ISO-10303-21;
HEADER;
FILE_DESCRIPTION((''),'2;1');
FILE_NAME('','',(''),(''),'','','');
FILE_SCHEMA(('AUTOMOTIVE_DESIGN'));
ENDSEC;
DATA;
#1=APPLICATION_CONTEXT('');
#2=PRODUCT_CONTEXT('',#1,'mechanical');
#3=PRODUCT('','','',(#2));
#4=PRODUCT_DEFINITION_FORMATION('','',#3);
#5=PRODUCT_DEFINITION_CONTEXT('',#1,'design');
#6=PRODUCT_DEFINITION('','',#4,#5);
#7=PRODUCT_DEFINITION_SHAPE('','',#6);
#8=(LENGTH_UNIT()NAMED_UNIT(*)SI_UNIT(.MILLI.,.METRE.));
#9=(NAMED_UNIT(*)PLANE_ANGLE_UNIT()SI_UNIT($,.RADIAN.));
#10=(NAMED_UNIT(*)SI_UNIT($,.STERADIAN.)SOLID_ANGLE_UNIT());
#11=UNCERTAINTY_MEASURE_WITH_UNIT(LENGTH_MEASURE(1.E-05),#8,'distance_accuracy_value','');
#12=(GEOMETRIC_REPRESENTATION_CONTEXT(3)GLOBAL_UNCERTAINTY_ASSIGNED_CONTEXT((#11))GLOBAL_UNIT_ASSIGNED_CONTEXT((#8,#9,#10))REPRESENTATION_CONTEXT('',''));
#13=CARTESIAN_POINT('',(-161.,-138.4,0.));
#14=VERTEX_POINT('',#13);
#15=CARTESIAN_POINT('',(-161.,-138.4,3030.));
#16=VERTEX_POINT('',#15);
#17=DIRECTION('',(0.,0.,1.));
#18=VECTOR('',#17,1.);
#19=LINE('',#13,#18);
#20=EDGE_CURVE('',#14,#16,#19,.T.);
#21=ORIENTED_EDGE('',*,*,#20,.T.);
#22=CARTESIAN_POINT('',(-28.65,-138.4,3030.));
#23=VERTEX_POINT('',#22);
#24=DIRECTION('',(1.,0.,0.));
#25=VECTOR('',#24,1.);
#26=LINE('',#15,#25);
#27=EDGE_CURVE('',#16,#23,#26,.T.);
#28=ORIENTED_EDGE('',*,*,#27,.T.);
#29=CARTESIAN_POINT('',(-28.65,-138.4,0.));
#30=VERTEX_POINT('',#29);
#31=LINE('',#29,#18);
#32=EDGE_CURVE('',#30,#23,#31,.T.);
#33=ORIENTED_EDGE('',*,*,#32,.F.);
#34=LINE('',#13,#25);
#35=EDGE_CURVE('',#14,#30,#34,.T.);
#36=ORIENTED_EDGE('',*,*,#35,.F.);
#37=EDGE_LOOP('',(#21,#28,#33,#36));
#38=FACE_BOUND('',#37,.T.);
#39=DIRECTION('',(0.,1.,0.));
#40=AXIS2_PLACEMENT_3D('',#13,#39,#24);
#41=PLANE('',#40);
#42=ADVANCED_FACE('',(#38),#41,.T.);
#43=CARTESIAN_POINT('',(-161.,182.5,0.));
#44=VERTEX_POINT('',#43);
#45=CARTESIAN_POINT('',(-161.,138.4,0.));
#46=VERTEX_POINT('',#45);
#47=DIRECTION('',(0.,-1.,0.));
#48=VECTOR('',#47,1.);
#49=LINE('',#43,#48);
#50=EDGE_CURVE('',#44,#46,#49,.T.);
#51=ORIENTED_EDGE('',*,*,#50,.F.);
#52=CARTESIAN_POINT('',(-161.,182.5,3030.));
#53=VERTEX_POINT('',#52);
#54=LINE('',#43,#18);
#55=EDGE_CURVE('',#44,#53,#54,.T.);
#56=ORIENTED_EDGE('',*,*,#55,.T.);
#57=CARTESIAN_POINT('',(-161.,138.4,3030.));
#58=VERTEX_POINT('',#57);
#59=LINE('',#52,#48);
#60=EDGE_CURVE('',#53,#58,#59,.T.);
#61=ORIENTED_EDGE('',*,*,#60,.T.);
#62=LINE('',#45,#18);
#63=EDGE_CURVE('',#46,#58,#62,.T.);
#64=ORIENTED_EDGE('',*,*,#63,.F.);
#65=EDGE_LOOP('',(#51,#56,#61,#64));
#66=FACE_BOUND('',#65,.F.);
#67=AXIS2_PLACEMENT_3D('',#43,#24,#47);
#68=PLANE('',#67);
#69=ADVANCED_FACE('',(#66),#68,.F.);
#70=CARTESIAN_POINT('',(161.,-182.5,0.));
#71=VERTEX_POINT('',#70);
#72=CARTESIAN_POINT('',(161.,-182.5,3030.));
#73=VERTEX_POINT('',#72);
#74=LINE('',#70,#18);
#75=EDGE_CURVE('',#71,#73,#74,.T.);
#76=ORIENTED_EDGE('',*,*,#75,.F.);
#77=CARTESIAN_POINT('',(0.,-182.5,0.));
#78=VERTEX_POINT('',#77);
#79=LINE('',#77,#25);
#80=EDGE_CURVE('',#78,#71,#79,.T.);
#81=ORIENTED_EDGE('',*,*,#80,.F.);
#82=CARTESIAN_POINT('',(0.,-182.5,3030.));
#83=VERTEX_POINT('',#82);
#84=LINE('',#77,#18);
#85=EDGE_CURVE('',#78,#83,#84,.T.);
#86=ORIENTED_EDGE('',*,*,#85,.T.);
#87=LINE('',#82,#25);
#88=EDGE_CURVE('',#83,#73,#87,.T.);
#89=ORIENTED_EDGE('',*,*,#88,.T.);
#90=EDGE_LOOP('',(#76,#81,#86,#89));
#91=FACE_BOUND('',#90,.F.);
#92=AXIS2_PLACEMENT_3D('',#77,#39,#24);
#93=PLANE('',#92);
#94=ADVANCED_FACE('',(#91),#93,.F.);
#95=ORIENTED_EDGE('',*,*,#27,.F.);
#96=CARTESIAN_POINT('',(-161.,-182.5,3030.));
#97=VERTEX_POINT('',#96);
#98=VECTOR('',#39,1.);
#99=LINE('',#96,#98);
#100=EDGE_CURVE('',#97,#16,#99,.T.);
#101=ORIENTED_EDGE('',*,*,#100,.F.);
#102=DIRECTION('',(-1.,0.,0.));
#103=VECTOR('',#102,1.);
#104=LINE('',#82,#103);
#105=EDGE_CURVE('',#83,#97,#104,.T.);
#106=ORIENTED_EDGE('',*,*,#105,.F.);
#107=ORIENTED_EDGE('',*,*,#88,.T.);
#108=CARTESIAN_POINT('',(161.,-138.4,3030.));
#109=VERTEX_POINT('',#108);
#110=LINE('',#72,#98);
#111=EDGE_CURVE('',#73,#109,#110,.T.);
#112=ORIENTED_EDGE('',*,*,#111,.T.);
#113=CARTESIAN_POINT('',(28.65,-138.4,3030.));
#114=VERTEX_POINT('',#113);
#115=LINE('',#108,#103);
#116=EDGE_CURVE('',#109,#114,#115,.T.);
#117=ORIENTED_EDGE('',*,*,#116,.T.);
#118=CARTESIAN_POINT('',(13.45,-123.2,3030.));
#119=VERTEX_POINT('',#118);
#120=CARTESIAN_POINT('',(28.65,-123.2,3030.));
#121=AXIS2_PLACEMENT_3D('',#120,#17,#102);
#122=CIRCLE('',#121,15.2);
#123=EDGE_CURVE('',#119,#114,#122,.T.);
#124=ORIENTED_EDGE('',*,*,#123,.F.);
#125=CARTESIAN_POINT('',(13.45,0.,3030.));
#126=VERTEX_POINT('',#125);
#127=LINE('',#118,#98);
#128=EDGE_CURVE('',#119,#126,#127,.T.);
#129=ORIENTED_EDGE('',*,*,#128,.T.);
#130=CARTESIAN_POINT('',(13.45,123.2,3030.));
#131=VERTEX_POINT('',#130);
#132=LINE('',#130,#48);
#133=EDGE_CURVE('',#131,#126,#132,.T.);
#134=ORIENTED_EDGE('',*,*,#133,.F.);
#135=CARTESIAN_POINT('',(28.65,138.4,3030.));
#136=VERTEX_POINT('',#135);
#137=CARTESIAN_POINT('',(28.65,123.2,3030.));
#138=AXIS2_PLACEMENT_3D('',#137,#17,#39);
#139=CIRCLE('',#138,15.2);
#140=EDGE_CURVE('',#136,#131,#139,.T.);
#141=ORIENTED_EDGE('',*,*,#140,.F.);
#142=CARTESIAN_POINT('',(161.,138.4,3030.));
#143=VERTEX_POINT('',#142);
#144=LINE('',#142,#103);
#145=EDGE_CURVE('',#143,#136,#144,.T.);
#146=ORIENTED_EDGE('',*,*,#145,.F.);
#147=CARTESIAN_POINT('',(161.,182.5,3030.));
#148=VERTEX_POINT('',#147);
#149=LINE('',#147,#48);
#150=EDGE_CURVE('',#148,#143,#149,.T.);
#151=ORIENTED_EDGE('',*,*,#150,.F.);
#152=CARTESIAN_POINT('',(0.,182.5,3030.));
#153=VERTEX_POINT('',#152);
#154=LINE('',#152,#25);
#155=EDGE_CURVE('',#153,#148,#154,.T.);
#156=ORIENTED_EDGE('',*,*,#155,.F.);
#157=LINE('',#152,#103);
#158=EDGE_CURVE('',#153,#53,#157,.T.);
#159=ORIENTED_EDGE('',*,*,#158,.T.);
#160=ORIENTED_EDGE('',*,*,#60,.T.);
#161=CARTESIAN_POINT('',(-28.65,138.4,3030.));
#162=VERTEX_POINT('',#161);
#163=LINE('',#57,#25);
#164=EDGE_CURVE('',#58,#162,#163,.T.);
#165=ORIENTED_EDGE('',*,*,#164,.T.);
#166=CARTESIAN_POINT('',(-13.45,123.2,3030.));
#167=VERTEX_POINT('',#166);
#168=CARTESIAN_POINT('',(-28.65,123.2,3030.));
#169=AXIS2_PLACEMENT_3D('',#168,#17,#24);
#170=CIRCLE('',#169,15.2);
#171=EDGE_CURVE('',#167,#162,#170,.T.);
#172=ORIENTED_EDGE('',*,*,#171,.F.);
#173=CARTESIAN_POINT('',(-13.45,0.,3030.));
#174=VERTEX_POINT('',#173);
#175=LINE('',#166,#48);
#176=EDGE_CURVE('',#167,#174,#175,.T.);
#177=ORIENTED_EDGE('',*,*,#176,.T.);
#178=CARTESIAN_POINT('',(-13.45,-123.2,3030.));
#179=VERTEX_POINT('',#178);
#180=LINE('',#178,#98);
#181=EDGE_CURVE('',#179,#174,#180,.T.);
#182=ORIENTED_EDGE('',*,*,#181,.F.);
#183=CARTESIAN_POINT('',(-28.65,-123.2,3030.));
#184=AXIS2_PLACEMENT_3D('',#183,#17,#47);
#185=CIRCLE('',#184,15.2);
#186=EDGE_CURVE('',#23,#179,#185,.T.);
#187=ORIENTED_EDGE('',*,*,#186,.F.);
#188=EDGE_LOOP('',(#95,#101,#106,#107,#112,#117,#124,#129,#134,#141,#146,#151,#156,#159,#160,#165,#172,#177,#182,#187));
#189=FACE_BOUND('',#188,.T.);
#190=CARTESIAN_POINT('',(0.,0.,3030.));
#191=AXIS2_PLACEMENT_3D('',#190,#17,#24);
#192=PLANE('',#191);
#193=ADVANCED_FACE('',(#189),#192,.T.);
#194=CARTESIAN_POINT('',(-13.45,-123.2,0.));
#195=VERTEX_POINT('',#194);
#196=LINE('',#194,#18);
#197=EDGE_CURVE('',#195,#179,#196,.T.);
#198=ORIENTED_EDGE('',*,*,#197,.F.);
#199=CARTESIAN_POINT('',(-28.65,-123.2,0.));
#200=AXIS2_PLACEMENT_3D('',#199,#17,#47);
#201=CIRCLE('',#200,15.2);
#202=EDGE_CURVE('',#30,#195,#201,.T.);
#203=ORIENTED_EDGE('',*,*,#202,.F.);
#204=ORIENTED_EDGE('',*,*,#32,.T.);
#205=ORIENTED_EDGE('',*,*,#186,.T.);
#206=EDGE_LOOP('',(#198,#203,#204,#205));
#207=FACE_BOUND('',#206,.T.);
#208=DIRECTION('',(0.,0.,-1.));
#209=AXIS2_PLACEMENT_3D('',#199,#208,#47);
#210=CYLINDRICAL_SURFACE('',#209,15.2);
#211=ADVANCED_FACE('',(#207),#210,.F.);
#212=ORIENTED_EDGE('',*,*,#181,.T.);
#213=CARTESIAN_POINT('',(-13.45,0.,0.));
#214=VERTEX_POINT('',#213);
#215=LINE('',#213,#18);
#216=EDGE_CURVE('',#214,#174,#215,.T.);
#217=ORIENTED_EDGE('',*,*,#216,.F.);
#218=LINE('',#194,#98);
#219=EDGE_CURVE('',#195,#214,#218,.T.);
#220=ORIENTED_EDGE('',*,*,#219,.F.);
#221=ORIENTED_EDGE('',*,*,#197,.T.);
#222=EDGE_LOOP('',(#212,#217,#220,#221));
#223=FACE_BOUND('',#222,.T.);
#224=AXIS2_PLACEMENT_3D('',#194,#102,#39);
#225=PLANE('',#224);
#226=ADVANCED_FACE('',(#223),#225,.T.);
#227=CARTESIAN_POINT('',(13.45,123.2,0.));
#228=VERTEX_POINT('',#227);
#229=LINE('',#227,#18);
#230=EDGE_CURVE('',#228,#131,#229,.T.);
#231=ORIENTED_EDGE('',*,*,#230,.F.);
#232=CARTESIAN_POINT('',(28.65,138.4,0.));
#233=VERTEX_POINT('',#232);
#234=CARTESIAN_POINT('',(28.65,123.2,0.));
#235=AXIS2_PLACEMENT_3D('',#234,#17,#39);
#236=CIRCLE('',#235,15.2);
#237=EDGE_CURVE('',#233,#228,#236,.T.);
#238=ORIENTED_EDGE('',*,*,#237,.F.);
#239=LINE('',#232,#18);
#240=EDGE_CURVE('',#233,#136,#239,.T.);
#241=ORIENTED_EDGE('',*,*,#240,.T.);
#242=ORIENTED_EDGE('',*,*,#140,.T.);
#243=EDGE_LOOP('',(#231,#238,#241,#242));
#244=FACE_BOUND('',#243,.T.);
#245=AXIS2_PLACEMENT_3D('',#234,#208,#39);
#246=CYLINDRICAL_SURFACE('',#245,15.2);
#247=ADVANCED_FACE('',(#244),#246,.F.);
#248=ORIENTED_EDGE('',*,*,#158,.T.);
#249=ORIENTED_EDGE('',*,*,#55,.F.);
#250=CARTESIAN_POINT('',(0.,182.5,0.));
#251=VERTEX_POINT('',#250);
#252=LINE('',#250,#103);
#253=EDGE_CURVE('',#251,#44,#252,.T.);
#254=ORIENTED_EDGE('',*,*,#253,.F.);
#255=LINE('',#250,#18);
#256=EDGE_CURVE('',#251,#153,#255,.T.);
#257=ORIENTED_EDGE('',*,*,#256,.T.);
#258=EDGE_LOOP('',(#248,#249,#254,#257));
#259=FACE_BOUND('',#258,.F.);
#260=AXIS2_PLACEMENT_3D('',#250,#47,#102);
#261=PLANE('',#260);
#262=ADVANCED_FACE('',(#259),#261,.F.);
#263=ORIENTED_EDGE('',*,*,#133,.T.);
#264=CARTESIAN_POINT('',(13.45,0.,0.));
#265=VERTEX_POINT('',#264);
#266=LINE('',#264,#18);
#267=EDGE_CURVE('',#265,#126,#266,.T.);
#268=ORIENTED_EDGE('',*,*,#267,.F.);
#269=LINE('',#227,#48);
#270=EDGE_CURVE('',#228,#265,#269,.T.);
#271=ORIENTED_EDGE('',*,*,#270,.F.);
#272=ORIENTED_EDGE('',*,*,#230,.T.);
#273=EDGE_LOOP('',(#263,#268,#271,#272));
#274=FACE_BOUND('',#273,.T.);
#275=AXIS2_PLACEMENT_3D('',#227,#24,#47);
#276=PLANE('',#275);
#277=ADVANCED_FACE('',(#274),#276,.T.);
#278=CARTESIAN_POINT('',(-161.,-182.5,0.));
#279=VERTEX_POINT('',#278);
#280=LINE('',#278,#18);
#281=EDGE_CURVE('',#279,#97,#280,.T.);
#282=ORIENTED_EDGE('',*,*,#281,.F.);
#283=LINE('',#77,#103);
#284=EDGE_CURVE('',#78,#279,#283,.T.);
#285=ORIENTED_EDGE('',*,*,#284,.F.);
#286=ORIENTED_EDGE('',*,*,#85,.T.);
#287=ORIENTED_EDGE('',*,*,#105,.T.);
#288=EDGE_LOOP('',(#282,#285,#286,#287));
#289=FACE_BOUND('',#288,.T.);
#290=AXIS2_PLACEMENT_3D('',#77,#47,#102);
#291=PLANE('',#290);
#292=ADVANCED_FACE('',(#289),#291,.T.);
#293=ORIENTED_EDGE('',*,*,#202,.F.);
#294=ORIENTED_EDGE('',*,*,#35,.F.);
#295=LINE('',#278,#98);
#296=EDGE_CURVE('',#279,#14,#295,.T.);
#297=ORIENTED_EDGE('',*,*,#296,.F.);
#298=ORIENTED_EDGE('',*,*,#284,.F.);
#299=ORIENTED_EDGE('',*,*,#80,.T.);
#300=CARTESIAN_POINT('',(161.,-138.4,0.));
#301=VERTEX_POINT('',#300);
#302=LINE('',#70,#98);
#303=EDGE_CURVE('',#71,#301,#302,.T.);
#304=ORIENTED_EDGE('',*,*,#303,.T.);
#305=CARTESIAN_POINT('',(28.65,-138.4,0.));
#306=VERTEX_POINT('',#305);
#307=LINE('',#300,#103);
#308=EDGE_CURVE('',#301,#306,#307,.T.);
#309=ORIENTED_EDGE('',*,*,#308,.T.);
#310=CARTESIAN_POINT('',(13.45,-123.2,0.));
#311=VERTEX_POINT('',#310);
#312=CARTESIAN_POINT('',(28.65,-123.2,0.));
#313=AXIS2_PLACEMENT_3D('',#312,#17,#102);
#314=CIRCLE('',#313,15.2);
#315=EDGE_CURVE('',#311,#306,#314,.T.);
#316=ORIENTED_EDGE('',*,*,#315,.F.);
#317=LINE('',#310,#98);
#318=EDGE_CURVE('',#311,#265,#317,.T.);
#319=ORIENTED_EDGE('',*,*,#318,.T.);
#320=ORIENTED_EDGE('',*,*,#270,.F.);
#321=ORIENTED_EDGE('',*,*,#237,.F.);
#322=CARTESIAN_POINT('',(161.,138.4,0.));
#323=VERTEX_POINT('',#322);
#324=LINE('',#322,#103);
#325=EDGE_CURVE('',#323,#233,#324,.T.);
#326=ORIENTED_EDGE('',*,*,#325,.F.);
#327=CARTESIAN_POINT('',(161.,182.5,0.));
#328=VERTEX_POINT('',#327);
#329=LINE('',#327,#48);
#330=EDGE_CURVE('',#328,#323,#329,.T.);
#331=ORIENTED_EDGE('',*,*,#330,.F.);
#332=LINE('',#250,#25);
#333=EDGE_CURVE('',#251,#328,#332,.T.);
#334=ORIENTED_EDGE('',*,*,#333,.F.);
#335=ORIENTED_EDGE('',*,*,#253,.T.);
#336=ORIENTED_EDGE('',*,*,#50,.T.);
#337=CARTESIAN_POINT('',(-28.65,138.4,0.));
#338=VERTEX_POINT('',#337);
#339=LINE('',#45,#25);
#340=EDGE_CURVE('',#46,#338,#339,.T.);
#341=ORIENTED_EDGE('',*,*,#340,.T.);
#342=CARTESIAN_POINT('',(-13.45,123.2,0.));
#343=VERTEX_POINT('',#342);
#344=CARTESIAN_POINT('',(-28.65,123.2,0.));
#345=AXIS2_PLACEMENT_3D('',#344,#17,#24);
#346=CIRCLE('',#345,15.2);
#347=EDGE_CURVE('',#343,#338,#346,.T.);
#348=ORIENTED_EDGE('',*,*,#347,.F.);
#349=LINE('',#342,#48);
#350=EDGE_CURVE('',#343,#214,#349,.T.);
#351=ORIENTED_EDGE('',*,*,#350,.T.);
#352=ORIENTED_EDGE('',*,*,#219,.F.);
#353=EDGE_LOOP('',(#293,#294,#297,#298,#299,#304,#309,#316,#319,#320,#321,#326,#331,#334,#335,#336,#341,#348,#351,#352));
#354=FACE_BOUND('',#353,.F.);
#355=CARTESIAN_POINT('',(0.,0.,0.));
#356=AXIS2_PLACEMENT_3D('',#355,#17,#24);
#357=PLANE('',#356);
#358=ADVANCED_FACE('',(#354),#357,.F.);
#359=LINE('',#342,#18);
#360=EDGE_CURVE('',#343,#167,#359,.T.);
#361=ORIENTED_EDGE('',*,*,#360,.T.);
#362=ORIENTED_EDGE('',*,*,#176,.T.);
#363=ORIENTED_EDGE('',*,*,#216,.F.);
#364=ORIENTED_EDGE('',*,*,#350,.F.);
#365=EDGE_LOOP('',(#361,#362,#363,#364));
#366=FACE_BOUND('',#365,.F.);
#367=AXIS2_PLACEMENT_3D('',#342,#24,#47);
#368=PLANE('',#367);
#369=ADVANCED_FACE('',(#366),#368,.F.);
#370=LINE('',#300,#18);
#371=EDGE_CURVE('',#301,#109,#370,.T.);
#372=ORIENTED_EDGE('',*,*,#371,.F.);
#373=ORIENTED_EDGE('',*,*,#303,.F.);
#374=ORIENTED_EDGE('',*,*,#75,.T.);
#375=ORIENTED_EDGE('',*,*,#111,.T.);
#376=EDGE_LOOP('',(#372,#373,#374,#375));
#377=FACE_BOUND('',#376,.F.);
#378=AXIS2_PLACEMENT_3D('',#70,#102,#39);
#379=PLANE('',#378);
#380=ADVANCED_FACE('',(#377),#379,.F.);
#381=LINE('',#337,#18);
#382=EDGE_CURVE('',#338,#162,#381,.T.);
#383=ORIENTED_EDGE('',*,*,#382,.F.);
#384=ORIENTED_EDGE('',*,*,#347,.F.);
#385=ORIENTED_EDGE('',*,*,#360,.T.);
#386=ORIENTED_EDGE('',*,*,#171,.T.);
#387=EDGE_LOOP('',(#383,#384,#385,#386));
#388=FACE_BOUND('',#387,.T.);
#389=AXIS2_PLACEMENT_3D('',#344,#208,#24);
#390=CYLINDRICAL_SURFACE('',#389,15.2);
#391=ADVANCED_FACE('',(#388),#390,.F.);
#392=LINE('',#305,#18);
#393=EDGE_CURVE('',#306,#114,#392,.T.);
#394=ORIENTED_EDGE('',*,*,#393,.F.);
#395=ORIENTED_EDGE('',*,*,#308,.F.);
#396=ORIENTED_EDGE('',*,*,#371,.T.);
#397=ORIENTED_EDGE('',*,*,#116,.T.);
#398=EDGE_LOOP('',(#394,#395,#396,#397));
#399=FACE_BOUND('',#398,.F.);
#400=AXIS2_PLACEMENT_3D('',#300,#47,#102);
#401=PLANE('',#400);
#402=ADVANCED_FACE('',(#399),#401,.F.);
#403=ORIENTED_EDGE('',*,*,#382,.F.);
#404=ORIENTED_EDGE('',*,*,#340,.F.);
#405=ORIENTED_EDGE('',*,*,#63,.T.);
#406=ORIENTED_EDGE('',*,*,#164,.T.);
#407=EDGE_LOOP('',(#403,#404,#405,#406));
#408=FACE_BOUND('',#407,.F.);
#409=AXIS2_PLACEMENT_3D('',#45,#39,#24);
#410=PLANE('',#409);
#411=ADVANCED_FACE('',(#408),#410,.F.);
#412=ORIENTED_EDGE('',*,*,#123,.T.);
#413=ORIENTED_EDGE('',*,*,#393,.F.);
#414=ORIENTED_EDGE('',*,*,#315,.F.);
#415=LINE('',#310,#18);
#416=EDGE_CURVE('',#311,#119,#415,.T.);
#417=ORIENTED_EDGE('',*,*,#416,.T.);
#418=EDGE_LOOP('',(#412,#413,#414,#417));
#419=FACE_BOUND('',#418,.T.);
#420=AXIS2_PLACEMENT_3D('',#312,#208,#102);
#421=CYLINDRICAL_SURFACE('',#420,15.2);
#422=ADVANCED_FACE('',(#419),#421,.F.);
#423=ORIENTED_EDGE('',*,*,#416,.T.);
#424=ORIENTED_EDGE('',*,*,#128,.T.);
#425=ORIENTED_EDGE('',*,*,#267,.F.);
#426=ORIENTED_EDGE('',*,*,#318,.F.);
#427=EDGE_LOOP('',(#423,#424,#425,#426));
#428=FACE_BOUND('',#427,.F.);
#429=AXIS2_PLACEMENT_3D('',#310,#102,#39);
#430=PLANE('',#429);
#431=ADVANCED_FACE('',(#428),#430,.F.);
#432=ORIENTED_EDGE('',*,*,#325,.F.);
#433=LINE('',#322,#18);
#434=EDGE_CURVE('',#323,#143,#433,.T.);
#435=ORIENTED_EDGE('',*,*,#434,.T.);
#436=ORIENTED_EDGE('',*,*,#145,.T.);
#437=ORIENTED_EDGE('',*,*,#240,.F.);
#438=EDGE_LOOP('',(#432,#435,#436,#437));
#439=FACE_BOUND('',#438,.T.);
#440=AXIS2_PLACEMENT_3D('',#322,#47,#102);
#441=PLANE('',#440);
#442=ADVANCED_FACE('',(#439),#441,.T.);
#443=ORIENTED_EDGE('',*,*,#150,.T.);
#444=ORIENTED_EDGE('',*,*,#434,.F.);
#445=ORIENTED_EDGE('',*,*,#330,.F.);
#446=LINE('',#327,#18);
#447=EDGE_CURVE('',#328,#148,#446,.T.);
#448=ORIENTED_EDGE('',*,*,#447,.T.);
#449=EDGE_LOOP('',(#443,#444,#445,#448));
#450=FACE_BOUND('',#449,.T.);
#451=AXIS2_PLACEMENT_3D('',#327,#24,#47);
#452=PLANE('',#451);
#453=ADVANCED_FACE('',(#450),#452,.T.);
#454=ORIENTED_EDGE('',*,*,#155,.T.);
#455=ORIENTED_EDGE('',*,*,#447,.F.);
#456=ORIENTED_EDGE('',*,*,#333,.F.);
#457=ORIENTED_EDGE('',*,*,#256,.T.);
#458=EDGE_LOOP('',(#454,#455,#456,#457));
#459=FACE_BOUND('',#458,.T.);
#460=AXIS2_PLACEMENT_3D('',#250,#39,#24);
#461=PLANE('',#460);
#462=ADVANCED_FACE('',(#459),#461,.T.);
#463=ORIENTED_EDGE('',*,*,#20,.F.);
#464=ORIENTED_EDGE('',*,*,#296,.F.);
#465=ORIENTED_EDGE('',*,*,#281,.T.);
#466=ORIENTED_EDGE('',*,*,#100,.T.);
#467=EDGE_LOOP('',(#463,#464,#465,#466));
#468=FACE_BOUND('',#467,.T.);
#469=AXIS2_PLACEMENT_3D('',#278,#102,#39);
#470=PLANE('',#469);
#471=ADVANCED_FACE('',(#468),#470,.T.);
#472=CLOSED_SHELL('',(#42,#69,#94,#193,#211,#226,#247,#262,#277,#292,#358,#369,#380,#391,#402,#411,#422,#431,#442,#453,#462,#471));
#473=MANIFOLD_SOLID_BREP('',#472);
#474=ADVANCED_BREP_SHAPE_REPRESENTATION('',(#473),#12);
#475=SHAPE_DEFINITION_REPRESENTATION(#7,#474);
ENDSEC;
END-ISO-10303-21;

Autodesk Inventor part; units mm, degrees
ref_plane "YZ Plane" through (0, 0, 0) normal (1, 0, 0) x (0, 1, 0)
ref_plane "Start plane" through (0, 0, 0) normal (0, 0, 1) x (1, 0, 0)
ref_plane "End plane" through (0, 0, 3030) normal (0, 0, 1) x (1, 0, 0)
sketch "Sketch" plane through (0, 0, 0) normal (0, 0, 1) x (1, 0, 0)
  line L0 (-161, -182.5) -> (-161, -138.4)
  line L1 (-161, -138.4) -> (-28.65, -138.4)
  line L2 (-13.45, -123.2) -> (-13.45, 0)
  line L3 (-13.45, 0) -> (0, 0) construction
  line L4 (0, 0) -> (0, -182.5) construction
  line L5 (0, -182.5) -> (-161, -182.5)
  line L6 (-60, 0) -> (80, 0) construction
  line L7 (0, -60) -> (0, 80) construction
  line L8 (161, -182.5) -> (161, -138.4)
  line L9 (161, -138.4) -> (28.65, -138.4)
  line L10 (13.45, -123.2) -> (13.45, 0)
  line L11 (13.45, 0) -> (0, 0) construction
  line L12 (0, -182.5) -> (161, -182.5)
  line L13 (-161, 182.5) -> (-161, 138.4)
  line L14 (-161, 138.4) -> (-28.65, 138.4)
  line L15 (-13.45, 123.2) -> (-13.45, 0)
  line L16 (0, 182.5) -> (-161, 182.5)
  line L17 (161, 182.5) -> (161, 138.4)
  line L18 (161, 138.4) -> (28.65, 138.4)
  line L19 (0, 182.5) -> (161, 182.5)
  line L20 (13.45, 123.2) -> (13.45, 0)
  arc A0 (-13.45, 123.2) -> (-28.65, 138.4) centre (-28.65, 123.2) ccw
  arc A1 (28.65, 138.4) -> (13.45, 123.2) centre (28.65, 123.2) ccw
  arc A2 (13.45, -123.2) -> (28.65, -138.4) centre (28.65, -123.2) ccw
  arc A3 (-28.65, -138.4) -> (-13.45, -123.2) centre (-28.65, -123.2) ccw
  line L21 (0, 108) -> (0, -88) construction
  line L22 (-88, 0) -> (108, 0) construction
  point P0 (-13.45, -138.4)
  point P1 (13.45, -138.4)
  point P2 (-13.45, 138.4)
  point P3 (13.45, 138.4)
  dimension "d1" = 182.5
  dimension "d2" = 44.1
  dimension "d3" = 161
  dimension "d4" = 13.45
  dimension "d10" = 15.2
extrude "Body" add sketch "Sketch" along normal up to surface (3030 mm away) from surface at 0
sketch "Sketch4" plane through (0, 0, 0) normal (0, 0, 1) x (1, 0, 0)
  line L0 (0, 0) -> (10, 0)
ref_plane "Work Plane3" through (0, 0, 0) normal (0, -1, 0) x (1, 0, 0)
sketch "Sketch5" plane through (0, 0, 0) normal (0, -1, 0) x (1, 0, 0)
  line L0 (-2, 0) -> (12, 0) projected
  line L1 (-2, 3030) -> (12, 3030) projected
  dimension "d14" = 3030
equation "\"d1\" = 0.5 * G_H"
equation "\"d2\" = G_T1"
equation "\"d3\" = 0.5 * G_W"
equation "\"d4\" = 0.5 * G_T"
equation "\"d10\" = G_IR"
equation "\"d5\" = G_L"
equation "\"G_W\" = 322"
equation "\"G_H\" = 365"
equation "\"G_T\" = 26.9"
equation "\"G_T1\" = 44.1"
equation "\"G_IR\" = 15.2"
equation "\"G_L\" = d14"
equation "\"G_OFFSET_START\" = 0"
equation "\"G_OFFSET_END\" = 0"
properties part number "AS 3679 - 310 UC - 283 - 3030" material "Steel, Mild"
